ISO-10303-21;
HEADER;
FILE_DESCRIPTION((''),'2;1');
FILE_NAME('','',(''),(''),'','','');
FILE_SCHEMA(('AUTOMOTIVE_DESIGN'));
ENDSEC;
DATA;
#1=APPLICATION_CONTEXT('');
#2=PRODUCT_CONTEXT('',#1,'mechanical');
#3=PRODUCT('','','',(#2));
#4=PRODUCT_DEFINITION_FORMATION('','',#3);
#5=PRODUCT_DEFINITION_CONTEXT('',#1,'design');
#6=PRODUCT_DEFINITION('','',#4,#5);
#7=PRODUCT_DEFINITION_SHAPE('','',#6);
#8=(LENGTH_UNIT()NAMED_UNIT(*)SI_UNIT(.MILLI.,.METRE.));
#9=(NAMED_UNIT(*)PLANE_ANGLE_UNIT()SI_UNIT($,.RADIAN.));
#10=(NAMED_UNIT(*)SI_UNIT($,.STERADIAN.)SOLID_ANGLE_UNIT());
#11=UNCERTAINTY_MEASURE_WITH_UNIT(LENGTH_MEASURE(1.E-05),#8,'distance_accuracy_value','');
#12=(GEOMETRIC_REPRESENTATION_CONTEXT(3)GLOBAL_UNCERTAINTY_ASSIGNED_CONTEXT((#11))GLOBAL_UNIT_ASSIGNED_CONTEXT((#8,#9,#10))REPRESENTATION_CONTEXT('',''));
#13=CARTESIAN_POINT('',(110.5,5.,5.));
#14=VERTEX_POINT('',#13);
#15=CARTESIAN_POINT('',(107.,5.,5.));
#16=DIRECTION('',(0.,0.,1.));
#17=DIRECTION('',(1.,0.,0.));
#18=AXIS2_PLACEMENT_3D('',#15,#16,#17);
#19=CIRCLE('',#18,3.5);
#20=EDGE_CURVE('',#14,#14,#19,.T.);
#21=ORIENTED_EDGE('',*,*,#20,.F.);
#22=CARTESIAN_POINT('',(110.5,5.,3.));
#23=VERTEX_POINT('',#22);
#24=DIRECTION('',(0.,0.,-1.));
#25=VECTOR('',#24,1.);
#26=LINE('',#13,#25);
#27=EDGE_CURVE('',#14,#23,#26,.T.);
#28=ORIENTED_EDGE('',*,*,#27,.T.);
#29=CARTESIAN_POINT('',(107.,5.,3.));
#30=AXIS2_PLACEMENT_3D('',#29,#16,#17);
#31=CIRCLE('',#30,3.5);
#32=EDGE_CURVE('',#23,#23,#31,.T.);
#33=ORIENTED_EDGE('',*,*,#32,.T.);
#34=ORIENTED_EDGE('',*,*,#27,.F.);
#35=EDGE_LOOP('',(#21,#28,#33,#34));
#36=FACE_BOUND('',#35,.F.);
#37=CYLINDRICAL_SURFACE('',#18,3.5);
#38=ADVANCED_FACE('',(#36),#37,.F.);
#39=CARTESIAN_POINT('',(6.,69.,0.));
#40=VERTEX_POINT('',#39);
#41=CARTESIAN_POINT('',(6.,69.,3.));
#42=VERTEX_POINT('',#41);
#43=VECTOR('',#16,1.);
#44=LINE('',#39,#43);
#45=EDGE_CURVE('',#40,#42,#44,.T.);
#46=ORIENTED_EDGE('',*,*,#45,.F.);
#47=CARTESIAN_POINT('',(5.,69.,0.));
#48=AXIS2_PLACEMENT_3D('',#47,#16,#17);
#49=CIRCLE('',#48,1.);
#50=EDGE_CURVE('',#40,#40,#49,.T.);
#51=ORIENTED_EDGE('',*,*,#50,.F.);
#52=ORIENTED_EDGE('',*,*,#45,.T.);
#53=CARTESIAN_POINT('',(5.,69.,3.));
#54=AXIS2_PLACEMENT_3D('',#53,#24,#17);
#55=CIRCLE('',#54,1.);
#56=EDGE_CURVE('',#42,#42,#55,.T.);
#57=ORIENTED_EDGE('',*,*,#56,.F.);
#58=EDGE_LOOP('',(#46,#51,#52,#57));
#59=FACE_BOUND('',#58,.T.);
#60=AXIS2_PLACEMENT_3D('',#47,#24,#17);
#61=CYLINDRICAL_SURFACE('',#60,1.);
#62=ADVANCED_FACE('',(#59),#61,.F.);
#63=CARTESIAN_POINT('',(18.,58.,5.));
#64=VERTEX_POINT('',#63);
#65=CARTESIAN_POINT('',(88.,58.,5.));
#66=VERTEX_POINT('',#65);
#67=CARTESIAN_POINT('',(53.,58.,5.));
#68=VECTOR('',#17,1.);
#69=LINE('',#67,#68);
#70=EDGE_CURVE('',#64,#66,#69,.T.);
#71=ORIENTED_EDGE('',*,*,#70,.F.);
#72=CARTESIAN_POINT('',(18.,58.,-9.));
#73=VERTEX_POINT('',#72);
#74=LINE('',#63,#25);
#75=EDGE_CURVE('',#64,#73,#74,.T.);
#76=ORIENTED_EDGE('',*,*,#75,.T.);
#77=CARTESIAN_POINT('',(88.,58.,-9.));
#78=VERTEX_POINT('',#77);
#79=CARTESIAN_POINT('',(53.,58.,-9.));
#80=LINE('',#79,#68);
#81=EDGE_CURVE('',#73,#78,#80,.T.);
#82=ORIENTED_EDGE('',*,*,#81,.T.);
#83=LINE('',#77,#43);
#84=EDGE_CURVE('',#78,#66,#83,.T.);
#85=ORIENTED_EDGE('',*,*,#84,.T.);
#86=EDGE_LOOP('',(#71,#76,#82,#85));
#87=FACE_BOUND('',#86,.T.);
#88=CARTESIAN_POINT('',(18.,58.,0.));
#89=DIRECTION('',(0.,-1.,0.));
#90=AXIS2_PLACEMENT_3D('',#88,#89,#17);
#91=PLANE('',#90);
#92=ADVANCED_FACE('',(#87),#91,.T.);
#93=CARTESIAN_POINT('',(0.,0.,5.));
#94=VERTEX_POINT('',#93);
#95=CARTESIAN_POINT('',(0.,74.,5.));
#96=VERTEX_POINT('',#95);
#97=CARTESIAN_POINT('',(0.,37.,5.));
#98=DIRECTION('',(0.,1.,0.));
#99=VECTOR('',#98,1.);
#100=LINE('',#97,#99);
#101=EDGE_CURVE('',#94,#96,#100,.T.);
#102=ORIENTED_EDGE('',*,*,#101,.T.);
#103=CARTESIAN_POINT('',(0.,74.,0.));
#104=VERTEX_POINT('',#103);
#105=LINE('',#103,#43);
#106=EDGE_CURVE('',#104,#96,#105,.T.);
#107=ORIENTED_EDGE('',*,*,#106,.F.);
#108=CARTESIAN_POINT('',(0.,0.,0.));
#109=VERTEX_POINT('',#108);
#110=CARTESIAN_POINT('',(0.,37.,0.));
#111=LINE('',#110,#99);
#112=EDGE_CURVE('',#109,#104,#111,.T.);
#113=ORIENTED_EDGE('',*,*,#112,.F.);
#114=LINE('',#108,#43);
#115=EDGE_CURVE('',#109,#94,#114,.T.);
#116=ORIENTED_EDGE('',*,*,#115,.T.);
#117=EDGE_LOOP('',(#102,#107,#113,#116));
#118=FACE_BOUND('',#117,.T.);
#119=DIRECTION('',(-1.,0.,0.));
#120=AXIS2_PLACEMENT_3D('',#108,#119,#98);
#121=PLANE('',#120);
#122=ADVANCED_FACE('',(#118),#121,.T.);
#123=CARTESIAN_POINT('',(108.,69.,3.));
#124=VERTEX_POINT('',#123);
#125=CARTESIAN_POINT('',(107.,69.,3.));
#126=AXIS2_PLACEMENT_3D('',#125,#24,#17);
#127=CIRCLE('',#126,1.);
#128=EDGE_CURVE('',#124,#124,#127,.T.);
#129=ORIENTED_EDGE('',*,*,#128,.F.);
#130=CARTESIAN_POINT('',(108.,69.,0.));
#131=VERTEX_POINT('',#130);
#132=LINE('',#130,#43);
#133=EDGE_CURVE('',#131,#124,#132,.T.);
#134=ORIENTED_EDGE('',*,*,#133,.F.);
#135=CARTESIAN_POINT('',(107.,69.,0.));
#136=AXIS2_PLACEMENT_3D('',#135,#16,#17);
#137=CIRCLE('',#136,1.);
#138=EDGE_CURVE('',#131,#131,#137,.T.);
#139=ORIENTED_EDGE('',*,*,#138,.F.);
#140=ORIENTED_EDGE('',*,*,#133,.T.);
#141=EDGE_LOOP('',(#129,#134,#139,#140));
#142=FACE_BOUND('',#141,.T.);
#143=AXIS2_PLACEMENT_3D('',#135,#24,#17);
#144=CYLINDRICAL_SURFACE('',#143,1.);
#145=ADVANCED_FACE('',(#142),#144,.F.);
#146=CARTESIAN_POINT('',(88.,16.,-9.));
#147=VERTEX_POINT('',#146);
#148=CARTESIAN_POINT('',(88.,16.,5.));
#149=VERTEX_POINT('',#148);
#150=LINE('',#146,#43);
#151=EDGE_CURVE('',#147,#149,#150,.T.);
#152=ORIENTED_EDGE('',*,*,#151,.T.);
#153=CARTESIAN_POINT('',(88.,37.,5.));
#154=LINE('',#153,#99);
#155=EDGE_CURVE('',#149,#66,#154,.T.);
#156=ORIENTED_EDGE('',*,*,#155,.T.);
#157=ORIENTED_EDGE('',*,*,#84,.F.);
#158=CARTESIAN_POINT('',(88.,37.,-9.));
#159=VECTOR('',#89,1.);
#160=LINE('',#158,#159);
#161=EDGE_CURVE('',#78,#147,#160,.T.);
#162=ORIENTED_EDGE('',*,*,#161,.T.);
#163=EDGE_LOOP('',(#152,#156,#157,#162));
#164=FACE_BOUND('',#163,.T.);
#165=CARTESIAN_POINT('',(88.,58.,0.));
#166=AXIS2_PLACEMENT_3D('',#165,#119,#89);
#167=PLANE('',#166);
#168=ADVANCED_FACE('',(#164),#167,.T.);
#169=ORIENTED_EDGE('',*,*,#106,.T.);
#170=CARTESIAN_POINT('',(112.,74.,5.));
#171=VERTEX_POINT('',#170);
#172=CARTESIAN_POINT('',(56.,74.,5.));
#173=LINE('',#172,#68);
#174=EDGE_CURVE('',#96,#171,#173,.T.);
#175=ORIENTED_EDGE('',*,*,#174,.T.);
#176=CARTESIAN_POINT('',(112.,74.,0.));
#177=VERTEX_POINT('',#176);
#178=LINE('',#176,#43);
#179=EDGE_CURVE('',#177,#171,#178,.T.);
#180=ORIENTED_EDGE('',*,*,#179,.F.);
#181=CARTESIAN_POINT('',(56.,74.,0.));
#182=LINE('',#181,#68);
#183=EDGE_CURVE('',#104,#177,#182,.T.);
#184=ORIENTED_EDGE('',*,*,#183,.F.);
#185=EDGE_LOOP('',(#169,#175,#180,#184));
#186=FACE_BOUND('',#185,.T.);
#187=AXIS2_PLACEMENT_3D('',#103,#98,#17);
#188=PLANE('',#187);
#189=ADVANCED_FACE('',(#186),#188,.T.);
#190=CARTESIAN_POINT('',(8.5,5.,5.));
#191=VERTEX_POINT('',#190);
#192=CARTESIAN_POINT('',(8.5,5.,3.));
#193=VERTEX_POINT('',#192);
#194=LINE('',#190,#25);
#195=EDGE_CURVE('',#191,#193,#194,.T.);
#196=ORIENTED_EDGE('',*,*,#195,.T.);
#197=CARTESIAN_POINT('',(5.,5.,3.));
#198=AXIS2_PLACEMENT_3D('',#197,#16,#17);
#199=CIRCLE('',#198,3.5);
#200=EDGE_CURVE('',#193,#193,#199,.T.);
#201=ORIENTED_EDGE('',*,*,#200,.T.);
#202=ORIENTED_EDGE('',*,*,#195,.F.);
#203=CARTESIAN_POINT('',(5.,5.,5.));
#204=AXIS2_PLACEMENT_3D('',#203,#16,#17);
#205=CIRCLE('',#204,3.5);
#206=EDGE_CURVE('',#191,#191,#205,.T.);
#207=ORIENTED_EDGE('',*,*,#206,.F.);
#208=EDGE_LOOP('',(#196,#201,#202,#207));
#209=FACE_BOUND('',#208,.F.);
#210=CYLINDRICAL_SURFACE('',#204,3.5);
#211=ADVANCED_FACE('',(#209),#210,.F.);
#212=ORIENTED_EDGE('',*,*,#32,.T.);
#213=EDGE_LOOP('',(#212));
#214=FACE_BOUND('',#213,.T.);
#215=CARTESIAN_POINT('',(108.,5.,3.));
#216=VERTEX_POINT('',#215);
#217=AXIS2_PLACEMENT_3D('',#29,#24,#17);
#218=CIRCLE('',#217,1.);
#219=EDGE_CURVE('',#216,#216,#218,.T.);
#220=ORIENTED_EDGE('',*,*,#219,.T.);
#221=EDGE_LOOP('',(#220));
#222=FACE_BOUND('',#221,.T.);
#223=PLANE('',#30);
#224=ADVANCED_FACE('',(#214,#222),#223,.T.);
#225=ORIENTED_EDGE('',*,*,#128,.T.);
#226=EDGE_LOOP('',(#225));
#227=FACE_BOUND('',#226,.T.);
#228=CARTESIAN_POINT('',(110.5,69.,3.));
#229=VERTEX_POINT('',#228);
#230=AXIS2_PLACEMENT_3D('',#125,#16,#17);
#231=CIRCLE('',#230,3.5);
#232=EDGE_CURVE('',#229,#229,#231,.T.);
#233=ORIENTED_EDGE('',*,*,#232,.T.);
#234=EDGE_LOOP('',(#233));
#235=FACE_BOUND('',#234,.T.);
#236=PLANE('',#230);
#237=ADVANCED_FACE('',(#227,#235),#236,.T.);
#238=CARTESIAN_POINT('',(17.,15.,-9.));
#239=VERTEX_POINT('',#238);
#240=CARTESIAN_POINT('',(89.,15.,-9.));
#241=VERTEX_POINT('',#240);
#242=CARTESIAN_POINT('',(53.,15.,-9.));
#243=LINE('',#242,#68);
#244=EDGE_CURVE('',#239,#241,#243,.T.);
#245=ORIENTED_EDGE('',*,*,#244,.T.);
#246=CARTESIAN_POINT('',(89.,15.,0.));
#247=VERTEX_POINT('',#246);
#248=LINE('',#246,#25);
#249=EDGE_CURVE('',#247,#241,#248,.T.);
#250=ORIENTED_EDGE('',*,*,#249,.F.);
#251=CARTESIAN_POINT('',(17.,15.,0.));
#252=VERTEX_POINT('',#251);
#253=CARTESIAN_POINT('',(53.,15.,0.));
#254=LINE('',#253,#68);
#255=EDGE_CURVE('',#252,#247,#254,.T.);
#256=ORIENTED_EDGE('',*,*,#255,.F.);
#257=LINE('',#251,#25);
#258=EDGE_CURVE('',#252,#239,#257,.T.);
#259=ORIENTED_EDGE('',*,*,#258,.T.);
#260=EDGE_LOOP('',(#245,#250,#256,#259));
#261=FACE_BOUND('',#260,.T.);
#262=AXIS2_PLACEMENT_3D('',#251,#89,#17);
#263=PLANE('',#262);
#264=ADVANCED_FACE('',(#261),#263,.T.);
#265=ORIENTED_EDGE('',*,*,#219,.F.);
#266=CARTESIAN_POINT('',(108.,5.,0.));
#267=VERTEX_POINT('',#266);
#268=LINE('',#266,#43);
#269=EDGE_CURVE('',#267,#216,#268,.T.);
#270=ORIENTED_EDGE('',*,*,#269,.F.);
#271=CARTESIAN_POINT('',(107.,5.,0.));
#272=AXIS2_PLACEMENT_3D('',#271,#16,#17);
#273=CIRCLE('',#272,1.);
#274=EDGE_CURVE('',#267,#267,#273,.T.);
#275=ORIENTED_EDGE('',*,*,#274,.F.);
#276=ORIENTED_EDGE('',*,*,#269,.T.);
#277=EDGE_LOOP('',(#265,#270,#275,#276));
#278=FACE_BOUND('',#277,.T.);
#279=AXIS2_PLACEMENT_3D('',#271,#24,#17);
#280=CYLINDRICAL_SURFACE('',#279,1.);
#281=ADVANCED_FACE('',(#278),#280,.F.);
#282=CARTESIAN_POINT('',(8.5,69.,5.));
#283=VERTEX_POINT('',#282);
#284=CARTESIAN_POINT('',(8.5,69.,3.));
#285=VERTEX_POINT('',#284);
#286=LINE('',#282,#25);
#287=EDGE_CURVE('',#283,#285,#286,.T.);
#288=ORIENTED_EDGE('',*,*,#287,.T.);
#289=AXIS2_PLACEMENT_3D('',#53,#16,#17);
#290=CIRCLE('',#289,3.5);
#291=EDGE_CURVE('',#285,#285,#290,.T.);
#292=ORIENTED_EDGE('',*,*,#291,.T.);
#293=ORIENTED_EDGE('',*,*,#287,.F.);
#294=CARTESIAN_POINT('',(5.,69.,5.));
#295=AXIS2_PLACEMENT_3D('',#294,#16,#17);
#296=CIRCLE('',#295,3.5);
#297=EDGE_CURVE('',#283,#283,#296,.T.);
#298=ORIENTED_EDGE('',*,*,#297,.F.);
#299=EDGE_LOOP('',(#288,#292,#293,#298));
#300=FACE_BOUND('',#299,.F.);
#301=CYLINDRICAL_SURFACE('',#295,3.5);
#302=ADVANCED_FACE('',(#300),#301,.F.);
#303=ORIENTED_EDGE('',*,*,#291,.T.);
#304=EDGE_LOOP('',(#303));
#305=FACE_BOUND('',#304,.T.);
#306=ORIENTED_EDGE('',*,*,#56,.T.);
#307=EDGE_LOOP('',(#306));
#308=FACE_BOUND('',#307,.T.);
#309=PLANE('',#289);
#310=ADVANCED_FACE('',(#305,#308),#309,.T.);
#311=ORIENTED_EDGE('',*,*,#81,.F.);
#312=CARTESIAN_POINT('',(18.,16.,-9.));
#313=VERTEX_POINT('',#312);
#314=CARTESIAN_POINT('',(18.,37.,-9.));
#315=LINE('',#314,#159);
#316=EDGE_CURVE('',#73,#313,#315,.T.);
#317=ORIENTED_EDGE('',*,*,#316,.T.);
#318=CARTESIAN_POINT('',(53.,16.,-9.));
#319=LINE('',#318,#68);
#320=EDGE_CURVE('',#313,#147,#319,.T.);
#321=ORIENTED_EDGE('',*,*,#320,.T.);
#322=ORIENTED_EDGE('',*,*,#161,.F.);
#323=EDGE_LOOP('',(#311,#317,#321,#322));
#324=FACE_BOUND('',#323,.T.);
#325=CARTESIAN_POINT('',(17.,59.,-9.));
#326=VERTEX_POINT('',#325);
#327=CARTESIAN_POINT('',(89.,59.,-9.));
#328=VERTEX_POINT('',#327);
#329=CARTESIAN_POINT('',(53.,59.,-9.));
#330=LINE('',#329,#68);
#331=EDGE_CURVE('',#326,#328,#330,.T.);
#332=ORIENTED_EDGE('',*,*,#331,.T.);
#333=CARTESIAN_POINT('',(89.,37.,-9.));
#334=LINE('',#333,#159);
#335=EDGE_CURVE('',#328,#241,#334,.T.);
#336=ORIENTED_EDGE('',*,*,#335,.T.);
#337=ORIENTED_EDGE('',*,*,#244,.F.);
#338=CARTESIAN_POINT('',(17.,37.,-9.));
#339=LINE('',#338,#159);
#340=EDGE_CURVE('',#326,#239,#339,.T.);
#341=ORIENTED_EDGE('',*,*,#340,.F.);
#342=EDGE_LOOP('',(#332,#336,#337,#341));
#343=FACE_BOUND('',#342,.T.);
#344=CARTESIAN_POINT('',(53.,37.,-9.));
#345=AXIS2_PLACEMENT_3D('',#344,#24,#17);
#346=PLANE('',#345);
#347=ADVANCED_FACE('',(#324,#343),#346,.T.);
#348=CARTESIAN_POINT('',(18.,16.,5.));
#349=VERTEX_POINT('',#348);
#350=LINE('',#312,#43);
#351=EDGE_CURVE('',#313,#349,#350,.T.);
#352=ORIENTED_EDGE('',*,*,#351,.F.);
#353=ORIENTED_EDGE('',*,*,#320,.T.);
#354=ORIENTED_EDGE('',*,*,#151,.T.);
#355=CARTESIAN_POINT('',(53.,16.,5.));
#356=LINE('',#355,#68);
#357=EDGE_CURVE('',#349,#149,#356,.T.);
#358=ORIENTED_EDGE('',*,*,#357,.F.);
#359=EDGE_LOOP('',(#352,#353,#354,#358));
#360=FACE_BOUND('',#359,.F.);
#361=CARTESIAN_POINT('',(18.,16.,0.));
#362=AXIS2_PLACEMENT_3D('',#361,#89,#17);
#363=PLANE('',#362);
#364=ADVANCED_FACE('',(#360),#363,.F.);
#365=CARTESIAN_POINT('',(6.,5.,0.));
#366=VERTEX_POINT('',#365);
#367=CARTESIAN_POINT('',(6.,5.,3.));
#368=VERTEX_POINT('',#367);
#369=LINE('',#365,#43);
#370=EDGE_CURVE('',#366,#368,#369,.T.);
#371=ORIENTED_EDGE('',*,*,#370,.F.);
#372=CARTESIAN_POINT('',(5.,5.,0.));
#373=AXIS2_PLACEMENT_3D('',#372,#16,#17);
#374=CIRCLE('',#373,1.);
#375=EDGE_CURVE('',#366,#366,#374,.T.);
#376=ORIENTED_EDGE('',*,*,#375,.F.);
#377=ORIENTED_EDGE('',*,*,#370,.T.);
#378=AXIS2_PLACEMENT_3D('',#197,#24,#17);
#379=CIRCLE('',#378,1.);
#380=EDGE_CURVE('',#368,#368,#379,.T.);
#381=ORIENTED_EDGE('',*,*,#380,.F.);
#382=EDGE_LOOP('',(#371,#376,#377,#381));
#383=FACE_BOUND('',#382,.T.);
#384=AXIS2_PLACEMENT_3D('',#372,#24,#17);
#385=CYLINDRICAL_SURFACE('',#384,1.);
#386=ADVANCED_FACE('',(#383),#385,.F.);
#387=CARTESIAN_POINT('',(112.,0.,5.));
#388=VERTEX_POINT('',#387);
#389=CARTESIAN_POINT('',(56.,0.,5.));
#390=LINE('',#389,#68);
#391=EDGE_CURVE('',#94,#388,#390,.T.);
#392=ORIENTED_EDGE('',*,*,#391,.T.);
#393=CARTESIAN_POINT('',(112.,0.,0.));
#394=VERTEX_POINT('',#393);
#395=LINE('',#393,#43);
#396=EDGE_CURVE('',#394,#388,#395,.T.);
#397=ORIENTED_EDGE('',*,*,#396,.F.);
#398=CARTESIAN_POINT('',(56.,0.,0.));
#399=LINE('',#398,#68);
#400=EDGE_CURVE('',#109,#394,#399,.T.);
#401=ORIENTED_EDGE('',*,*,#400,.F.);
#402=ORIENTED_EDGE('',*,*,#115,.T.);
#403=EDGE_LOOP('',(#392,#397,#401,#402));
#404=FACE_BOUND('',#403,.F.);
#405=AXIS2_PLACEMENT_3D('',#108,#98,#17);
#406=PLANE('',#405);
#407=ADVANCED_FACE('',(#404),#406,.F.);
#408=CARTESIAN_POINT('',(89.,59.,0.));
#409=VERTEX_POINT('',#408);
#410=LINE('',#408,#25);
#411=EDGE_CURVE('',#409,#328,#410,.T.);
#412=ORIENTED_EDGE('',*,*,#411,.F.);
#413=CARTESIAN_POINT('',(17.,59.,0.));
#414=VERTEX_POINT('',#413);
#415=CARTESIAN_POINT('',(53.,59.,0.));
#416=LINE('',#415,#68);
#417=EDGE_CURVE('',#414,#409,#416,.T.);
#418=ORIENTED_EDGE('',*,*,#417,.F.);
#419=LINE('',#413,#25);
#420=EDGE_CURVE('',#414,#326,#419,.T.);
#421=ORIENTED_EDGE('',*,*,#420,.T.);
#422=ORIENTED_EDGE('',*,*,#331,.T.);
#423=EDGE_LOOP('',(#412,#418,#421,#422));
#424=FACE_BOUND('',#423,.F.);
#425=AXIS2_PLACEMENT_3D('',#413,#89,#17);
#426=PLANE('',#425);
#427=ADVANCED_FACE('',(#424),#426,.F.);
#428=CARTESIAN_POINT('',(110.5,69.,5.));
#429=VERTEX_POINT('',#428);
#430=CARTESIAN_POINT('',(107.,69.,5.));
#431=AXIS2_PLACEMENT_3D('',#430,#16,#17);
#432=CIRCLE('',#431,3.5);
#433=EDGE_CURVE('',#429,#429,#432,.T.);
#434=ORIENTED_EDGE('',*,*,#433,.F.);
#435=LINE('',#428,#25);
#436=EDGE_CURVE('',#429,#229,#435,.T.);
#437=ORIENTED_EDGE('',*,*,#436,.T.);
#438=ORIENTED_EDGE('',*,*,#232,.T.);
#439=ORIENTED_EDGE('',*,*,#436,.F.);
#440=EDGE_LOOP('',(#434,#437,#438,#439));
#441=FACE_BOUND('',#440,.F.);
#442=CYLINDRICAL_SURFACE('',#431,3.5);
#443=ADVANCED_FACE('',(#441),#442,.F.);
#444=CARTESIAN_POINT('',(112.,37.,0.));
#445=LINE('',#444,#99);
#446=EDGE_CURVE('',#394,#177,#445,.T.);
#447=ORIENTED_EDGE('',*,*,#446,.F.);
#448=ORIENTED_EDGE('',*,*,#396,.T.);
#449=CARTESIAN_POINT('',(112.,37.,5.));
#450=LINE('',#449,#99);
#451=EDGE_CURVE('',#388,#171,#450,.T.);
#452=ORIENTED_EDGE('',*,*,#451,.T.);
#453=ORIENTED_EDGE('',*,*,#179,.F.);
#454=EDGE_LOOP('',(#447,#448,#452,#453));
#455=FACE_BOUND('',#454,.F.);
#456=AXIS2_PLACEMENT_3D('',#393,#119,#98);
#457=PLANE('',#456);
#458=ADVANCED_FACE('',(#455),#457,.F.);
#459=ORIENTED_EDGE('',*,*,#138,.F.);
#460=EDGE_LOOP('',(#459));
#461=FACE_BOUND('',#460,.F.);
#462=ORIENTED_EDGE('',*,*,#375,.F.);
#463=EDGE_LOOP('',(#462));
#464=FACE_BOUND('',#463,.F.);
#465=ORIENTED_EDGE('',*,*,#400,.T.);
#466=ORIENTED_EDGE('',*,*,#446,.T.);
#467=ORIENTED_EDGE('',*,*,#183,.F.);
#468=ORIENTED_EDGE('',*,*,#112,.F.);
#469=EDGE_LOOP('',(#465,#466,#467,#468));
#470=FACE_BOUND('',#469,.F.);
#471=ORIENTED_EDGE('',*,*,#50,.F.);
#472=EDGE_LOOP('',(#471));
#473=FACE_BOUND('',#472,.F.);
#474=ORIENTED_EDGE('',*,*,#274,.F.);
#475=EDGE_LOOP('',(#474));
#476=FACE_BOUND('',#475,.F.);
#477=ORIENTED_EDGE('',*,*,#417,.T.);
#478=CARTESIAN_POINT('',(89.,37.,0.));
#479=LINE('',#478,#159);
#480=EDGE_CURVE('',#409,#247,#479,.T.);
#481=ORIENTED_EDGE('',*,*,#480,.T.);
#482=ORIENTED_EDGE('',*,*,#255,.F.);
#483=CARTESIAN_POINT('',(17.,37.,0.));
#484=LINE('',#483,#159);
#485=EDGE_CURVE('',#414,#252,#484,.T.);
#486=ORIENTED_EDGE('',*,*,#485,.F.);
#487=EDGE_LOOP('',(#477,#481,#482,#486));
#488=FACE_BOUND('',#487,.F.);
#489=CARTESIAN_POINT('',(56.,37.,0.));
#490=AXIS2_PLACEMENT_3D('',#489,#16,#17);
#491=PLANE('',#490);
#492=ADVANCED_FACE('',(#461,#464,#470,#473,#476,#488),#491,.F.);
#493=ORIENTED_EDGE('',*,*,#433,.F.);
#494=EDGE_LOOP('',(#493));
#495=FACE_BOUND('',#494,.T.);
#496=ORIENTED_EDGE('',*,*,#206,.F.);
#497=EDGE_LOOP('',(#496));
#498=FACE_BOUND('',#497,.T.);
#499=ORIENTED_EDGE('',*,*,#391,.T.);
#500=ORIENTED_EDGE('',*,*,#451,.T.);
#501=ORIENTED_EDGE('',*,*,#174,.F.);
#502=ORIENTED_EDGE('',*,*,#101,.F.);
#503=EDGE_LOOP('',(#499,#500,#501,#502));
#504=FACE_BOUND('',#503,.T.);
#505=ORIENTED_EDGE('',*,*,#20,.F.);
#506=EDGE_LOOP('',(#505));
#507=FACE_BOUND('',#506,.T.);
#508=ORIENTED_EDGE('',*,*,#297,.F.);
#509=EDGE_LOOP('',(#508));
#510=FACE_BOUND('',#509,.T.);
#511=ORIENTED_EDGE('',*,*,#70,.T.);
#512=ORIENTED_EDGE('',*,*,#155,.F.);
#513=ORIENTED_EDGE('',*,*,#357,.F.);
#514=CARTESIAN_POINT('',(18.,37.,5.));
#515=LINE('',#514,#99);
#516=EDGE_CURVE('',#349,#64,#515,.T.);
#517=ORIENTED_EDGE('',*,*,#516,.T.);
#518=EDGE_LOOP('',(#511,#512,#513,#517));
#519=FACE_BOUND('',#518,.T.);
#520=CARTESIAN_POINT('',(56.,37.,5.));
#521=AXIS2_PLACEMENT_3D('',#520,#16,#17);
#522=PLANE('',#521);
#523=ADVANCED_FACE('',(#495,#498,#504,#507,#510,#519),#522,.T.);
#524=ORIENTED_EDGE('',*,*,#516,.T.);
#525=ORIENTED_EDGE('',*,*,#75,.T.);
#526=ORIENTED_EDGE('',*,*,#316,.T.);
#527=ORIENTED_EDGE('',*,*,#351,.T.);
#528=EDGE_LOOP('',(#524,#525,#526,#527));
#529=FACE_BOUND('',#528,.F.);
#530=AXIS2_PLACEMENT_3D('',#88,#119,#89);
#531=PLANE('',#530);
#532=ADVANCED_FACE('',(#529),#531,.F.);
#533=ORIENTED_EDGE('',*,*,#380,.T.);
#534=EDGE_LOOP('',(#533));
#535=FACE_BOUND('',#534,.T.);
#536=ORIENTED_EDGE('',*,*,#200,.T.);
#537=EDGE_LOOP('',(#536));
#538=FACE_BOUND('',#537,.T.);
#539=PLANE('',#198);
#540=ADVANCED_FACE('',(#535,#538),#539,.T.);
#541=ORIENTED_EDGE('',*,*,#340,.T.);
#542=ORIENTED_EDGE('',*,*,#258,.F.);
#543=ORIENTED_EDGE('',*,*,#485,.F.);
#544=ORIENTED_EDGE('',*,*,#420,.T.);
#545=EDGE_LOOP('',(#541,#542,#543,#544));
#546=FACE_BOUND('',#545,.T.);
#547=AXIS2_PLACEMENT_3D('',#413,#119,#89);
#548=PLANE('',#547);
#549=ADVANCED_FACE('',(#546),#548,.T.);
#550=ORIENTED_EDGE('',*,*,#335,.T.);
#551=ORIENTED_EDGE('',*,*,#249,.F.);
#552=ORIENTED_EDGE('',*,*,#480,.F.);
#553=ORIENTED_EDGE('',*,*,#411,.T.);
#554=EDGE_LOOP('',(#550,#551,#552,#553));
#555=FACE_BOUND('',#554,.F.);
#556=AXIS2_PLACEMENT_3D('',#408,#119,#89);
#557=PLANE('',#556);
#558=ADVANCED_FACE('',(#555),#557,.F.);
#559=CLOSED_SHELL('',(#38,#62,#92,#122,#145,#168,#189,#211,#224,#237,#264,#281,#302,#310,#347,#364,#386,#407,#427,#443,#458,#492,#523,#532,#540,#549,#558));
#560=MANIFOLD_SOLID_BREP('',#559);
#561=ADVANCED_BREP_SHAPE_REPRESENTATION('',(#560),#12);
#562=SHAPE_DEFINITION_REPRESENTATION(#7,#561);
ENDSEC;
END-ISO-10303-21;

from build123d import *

# Parameters (mm, degrees)
SKETCH_W        = 112
SKETCH_H        = 74
SKETCH_R        = 1
PAD_DEPTH       = 5
SKETCH001_R     = 3.5
POCKET_DEPTH    = 2
SKETCH002_W     = 70
SKETCH002_H     = 42
POCKET001_DEPTH = 5
SKETCH003_W     = 72
SKETCH003_H     = 44
SKETCH003_W_2   = 70
SKETCH003_H_2   = 42
PAD001_DEPTH    = 9


with BuildPart() as part:
    # Sketch → Pad (new body)
    with BuildSketch(Plane.XY):
        with Locations((56, 37)):
            Rectangle(SKETCH_W, SKETCH_H)
        with Locations((5, 69)):
            Circle(SKETCH_R, mode=Mode.SUBTRACT)
        with Locations((5, 5)):
            Circle(SKETCH_R, mode=Mode.SUBTRACT)
        with Locations((107, 69)):
            Circle(SKETCH_R, mode=Mode.SUBTRACT)
        with Locations((107, 5)):
            Circle(SKETCH_R, mode=Mode.SUBTRACT)
    extrude(amount=PAD_DEPTH)

    # Sketch001 → Pocket (cut)
    with BuildSketch(Plane.XY.offset(5)):
        with Locations((5, 5)):
            Circle(SKETCH001_R)
        with Locations((5, 69)):
            Circle(SKETCH001_R)
        with Locations((107, 69)):
            Circle(SKETCH001_R)
        with Locations((107, 5)):
            Circle(SKETCH001_R)
    extrude(amount=-POCKET_DEPTH, mode=Mode.SUBTRACT)

    # Sketch002 → Pocket001 (cut)
    with BuildSketch(Plane.XY.offset(5)):
        with Locations((53, 37)):
            Rectangle(SKETCH002_W, SKETCH002_H)
    extrude(amount=-POCKET001_DEPTH, mode=Mode.SUBTRACT)

    # Sketch003 → Pad001 (new body)
    with BuildSketch(Plane(origin=(0, 0, 0), x_dir=(1, 0, 0), z_dir=(0, 0, -1))):
        with Locations((53, -37)):
            Rectangle(SKETCH003_W, SKETCH003_H)
        with Locations((53, -37)):
            Rectangle(SKETCH003_W_2, SKETCH003_H_2, mode=Mode.SUBTRACT)
    extrude(amount=PAD001_DEPTH)


solid = part.part
